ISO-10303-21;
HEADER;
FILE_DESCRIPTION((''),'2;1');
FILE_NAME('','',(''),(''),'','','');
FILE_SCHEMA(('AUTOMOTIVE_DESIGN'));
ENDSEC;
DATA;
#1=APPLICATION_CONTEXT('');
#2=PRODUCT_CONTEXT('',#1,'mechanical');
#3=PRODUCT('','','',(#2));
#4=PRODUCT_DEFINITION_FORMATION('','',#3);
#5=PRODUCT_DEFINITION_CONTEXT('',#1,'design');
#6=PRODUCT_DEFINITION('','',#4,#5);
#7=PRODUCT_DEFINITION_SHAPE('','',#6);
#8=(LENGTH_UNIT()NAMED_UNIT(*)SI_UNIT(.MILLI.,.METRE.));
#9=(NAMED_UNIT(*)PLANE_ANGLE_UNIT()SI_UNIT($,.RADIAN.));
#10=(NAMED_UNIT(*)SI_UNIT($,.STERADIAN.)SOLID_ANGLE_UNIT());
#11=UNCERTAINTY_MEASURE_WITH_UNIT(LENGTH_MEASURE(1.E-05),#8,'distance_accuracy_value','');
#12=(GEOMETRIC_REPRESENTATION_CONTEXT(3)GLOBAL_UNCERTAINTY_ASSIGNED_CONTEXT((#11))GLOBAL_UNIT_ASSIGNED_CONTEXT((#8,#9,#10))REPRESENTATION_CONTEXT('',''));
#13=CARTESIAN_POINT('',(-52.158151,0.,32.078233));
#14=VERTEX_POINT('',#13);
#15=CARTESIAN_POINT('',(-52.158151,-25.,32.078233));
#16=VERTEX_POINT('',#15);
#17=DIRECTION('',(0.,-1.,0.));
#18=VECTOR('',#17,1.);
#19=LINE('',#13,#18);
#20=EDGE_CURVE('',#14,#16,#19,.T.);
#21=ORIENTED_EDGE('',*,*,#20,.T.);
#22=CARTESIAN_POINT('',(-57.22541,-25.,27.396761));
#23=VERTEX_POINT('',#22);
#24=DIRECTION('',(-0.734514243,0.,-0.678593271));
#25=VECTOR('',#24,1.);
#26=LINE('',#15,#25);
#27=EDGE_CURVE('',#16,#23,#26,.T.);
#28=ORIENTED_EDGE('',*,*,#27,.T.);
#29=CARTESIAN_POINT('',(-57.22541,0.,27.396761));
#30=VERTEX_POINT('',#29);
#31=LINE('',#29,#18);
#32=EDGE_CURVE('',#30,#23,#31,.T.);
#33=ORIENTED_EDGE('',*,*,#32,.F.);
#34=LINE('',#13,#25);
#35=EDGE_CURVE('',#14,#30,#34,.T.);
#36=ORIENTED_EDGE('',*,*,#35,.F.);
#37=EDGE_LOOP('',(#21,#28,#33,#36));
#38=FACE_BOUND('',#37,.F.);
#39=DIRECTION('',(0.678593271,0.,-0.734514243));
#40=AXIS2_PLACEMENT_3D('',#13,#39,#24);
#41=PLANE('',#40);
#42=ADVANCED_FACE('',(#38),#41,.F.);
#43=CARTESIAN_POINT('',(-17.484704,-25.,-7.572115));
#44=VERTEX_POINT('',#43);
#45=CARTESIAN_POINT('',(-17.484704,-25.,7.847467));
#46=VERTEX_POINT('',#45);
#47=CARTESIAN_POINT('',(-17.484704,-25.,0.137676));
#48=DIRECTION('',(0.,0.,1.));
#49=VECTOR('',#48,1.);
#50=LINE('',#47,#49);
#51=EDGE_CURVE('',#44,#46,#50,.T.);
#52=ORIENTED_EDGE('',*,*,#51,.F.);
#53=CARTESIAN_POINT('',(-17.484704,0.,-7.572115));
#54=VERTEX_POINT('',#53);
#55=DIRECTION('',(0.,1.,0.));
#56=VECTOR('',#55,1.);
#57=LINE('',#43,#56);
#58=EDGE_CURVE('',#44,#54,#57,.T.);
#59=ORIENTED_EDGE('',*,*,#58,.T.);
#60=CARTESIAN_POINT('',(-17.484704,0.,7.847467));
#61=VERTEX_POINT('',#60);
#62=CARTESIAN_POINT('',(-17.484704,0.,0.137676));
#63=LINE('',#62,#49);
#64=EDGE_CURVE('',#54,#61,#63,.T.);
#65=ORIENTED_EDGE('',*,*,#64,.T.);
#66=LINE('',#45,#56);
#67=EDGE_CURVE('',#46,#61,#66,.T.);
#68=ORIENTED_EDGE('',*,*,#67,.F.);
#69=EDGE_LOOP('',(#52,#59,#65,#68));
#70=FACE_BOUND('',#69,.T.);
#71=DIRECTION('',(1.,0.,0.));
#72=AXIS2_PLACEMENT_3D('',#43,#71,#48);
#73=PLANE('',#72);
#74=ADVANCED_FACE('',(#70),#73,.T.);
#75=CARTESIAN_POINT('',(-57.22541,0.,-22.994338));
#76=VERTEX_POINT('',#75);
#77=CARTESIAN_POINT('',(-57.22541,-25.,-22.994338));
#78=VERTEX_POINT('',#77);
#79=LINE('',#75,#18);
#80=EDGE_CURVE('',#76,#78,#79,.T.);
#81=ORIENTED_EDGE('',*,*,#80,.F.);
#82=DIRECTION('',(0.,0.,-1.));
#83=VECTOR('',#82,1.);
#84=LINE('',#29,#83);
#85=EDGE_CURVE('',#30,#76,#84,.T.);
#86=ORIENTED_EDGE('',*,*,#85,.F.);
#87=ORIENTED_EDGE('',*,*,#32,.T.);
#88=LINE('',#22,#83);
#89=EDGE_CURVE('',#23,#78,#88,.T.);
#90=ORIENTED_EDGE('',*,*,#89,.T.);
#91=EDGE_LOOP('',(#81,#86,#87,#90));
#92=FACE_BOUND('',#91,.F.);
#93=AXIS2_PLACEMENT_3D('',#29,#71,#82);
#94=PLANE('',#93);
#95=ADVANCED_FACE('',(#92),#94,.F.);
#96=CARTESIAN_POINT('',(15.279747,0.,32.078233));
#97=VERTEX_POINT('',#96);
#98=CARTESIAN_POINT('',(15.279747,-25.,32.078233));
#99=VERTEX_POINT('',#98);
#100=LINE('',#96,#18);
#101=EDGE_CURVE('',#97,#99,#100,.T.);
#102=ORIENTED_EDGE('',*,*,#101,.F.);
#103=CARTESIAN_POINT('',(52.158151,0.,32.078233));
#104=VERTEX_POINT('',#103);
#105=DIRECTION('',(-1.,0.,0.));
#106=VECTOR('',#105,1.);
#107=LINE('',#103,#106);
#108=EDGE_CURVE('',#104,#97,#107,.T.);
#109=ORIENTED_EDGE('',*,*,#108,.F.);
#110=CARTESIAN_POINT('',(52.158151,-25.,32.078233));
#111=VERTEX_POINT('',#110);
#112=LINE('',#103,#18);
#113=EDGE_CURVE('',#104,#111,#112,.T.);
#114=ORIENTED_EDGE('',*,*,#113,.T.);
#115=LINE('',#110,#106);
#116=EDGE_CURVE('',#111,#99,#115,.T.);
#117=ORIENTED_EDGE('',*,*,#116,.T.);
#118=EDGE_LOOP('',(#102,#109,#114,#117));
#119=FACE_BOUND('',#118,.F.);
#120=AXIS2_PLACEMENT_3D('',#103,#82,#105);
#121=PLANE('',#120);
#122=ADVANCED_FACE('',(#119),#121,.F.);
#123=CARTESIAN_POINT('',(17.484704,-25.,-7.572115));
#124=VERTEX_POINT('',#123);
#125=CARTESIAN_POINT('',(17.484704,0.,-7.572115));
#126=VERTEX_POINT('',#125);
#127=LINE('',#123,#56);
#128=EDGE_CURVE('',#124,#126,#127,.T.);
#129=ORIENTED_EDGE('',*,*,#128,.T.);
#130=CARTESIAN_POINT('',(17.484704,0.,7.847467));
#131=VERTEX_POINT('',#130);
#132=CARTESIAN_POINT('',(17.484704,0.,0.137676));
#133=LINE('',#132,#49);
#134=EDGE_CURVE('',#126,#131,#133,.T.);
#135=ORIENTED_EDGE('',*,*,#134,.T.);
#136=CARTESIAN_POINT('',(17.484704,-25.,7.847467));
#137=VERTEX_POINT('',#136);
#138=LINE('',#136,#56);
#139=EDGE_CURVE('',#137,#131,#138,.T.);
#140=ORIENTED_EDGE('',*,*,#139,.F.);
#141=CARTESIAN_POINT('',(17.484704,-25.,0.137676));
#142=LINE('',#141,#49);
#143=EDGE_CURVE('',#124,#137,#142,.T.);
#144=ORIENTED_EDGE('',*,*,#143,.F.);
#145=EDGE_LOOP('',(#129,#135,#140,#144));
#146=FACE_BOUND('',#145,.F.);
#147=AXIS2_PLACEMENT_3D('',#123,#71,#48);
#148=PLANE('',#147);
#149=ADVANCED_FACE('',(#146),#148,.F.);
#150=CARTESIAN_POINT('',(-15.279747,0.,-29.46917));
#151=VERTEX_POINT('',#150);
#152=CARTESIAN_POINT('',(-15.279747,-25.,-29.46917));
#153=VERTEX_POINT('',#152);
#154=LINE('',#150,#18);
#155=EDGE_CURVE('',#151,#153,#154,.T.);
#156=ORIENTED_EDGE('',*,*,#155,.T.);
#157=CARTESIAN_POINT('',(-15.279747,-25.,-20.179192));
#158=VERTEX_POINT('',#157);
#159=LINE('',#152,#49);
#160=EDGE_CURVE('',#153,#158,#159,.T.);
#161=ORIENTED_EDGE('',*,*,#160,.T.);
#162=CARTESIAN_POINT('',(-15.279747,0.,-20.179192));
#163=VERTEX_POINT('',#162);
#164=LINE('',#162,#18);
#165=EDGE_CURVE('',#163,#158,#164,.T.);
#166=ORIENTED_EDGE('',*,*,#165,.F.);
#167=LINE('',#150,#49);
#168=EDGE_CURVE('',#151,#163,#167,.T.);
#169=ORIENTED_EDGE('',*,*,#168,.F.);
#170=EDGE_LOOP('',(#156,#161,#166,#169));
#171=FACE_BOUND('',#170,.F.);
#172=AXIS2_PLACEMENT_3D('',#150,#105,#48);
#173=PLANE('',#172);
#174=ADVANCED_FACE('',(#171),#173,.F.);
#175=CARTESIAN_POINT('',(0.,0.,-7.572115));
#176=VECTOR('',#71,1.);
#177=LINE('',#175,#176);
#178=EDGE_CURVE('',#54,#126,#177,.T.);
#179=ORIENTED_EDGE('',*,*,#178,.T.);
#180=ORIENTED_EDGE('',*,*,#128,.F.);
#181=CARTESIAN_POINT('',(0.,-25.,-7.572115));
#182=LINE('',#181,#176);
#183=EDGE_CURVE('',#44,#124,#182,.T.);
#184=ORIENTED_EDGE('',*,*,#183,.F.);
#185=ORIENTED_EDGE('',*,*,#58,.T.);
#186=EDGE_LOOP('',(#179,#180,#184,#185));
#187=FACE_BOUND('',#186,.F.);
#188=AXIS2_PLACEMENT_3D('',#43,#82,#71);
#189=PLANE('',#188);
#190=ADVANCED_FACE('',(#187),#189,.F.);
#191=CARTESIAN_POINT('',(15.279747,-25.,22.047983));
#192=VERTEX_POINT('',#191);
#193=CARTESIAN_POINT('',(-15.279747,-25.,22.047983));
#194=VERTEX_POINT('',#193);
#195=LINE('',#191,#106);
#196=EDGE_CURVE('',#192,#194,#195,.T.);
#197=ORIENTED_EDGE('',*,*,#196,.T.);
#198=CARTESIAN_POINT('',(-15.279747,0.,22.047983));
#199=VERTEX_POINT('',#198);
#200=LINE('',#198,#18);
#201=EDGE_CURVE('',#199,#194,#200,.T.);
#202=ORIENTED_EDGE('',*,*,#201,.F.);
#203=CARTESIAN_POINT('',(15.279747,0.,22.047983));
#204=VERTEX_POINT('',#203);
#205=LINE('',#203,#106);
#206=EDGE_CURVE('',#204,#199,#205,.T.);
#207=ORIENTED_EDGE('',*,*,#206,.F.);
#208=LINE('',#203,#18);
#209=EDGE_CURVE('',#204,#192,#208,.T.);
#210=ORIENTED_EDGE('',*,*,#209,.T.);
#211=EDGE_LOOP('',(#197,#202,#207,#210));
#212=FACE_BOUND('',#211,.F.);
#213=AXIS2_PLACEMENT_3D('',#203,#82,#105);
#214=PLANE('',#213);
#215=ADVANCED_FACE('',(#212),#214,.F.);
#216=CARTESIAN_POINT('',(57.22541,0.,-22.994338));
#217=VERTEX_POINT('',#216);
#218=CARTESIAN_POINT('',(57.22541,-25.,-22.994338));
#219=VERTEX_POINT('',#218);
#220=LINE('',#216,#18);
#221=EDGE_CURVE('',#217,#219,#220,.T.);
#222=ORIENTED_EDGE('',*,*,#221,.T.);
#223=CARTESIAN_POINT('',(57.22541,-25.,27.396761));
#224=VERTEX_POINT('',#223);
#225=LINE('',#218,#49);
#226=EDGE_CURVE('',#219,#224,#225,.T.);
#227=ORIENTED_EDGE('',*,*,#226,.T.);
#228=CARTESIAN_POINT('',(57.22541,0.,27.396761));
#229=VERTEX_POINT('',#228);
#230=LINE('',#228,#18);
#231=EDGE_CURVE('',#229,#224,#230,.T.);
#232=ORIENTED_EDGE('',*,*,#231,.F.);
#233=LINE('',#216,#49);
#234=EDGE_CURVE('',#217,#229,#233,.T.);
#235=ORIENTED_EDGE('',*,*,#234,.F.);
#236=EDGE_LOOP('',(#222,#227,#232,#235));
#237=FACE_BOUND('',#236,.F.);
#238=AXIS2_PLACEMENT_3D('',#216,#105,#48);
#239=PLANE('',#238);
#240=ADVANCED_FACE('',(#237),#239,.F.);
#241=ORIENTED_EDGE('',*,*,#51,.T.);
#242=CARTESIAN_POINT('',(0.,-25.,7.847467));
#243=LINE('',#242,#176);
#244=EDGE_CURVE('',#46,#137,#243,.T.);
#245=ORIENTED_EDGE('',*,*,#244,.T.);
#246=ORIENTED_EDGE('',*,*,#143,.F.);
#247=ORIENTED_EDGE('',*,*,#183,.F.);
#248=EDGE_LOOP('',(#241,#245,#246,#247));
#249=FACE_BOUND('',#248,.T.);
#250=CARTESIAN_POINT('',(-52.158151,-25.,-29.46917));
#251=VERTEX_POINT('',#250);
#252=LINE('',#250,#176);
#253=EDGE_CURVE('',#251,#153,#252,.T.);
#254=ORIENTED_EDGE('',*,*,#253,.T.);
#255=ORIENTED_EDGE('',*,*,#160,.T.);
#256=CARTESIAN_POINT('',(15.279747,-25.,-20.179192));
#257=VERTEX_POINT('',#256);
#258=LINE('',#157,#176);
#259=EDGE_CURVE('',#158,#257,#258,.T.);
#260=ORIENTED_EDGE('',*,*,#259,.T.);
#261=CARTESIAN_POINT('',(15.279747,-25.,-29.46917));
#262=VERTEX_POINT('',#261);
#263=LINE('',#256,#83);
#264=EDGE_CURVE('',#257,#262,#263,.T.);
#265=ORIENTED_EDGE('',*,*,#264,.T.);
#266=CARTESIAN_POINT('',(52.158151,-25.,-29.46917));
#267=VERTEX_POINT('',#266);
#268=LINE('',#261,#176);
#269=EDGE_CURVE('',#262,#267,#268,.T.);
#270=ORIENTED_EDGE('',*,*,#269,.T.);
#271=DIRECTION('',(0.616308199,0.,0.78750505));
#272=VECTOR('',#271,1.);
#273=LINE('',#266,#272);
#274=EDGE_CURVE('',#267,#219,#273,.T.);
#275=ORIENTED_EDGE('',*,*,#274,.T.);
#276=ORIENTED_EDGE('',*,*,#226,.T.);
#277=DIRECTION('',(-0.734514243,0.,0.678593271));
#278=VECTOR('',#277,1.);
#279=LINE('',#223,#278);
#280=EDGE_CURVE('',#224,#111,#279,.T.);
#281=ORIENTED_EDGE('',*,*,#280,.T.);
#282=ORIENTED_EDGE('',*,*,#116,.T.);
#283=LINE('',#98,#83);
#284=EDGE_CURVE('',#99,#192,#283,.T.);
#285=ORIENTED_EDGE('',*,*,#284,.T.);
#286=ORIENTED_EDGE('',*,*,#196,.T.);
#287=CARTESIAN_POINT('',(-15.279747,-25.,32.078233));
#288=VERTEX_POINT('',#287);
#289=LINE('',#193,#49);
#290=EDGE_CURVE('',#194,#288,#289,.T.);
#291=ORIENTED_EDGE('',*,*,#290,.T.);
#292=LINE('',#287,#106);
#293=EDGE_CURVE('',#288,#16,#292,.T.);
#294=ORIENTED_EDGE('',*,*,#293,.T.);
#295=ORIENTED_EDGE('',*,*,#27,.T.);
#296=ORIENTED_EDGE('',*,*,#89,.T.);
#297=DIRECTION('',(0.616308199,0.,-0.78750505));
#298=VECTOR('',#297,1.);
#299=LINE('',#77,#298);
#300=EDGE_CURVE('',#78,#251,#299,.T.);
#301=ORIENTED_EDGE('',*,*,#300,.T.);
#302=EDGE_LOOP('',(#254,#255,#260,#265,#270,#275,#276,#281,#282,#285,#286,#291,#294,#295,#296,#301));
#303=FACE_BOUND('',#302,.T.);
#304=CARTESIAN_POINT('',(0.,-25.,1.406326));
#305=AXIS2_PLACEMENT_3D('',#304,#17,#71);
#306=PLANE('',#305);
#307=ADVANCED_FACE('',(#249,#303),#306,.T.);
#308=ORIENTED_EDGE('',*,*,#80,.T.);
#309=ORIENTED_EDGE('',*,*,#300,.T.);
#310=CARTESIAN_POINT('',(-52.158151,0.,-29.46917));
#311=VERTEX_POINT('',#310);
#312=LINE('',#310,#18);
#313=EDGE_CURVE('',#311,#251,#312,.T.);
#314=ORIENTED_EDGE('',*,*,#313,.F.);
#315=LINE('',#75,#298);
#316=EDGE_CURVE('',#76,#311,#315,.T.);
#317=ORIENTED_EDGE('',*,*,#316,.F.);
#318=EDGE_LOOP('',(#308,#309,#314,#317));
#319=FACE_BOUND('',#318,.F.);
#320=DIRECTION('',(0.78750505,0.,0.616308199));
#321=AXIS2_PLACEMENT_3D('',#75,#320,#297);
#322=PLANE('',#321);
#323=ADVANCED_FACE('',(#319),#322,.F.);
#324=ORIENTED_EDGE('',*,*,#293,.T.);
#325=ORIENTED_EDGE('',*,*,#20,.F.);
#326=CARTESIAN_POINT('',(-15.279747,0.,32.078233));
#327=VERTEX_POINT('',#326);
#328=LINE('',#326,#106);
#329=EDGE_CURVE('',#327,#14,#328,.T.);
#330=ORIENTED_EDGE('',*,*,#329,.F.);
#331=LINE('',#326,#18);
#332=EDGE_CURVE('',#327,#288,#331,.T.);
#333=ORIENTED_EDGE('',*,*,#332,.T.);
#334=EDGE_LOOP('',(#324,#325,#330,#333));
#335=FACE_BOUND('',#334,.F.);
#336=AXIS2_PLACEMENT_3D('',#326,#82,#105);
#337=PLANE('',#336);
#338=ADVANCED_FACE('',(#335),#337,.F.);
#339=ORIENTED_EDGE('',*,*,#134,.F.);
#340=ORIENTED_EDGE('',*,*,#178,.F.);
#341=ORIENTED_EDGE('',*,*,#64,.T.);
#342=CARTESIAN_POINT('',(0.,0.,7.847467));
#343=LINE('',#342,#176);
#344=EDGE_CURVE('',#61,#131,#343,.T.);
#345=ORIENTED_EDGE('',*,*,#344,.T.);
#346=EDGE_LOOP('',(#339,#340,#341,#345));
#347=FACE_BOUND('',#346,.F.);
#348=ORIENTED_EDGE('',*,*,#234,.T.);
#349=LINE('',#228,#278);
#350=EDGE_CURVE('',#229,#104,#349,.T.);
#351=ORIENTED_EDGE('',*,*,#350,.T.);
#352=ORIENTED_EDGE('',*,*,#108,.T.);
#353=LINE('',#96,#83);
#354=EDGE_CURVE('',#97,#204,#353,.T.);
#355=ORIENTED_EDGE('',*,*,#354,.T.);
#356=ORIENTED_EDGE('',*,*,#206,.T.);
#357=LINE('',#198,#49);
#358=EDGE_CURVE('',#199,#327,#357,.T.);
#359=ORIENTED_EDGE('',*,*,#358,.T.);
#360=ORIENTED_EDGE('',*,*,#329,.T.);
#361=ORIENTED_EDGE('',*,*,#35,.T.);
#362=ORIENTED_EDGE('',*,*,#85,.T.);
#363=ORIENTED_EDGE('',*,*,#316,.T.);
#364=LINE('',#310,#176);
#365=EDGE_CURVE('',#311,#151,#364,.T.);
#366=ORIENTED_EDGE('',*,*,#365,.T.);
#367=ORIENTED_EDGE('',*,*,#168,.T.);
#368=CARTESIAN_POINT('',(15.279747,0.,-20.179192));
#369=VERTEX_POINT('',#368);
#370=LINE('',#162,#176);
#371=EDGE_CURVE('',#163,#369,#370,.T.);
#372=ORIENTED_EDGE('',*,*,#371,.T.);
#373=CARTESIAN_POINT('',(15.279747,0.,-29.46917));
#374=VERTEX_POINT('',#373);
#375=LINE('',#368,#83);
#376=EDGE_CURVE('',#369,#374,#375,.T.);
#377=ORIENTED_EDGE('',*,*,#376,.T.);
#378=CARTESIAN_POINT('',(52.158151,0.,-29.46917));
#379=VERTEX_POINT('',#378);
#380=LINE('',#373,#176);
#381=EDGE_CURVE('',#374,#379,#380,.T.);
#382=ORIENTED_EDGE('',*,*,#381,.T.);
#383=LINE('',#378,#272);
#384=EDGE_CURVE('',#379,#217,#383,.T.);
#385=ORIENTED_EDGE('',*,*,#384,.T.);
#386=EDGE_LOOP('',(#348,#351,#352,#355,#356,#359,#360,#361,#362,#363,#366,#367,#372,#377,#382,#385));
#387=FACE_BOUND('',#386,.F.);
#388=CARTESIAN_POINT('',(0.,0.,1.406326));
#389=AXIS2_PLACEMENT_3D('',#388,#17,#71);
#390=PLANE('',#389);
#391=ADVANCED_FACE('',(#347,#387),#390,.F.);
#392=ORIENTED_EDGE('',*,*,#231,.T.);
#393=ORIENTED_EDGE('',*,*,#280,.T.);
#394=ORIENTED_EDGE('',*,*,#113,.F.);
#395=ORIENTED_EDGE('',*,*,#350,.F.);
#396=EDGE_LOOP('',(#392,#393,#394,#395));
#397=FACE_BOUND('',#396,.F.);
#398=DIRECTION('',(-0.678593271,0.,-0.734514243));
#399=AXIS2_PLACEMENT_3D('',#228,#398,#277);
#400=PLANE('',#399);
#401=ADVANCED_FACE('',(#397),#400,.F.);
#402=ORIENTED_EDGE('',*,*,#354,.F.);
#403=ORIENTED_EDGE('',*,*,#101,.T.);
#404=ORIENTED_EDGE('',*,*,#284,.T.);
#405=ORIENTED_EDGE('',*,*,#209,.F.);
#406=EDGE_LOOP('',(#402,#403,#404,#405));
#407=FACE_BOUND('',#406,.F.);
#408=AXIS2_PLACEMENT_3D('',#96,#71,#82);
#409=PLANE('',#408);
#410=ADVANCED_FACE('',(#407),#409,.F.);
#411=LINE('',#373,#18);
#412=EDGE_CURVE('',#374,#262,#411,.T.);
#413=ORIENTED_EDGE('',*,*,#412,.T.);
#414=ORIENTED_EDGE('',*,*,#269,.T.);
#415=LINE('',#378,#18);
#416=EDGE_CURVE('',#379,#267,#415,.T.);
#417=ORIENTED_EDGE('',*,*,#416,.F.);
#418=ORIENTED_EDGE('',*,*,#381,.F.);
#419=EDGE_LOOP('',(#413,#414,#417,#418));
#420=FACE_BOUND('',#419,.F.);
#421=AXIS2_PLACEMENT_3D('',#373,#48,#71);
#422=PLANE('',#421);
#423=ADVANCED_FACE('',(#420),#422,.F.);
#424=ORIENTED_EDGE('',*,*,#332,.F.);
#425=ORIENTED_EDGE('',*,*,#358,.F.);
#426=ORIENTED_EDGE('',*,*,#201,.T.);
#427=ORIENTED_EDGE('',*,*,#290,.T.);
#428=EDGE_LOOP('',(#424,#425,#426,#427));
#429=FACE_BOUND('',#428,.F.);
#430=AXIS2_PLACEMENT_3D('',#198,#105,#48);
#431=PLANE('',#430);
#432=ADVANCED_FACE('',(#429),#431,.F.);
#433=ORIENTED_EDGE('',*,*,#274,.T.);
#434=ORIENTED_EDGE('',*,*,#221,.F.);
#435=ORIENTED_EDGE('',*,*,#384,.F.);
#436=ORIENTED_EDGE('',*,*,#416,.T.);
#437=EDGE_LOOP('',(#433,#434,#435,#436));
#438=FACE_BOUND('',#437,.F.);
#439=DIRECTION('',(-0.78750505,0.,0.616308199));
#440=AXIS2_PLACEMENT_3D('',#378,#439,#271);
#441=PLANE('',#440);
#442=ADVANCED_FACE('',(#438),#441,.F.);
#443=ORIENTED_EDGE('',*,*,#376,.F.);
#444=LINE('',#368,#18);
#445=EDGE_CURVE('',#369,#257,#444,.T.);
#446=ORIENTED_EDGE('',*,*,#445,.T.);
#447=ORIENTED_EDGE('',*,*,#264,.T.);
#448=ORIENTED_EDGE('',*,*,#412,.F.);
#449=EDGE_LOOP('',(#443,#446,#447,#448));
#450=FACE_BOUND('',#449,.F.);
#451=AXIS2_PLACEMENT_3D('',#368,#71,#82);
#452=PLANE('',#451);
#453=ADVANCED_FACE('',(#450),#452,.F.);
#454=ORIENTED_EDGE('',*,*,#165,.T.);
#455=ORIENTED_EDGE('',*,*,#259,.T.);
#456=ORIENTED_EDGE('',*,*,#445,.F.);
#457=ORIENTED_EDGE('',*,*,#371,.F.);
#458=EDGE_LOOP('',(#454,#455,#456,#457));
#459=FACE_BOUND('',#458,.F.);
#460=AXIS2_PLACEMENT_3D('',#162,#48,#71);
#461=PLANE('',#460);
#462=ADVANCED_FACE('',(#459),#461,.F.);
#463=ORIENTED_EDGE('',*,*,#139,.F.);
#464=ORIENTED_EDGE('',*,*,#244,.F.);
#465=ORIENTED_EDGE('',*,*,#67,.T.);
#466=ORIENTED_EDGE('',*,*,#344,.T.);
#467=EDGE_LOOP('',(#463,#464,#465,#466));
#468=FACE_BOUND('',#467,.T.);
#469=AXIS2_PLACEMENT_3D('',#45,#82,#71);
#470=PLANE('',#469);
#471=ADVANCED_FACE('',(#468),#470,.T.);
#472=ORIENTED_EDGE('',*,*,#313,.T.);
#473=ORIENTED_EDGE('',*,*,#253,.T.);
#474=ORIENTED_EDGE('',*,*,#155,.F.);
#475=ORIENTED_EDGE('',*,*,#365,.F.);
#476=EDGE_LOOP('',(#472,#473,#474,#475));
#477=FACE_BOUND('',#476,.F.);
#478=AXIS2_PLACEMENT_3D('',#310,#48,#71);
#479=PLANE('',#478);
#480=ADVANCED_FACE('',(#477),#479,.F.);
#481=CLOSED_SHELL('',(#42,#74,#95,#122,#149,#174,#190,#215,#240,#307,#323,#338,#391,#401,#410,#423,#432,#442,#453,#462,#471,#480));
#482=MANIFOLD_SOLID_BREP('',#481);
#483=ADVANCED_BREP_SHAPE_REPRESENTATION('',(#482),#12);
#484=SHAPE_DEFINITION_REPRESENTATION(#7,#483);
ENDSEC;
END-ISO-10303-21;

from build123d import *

# Parameters (mm, degrees)
F1_DEPTH = 25
F2_W     = 34.969408
F2_H     = 15.419583
F3_DEPTH = 25


with BuildPart() as f1:
    # F0 (on Front) → F1 (new body)
    with BuildSketch(Plane.XZ):
        Polygon((15.279747, 22.047983), (0, 22.047983), (-15.279747, 22.047983), (-15.279747, 32.078233), (-52.158151, 32.078233), (-57.22541, 27.396761), (-57.22541, 12.758005), (-57.22541, -22.994338), (-52.158151, -29.46917), (-15.279747, -29.46917), (-15.279747, -20.179192), (0, -20.179192), (15.279747, -20.179192), (15.279747, -29.46917), (52.158151, -29.46917), (57.22541, -22.994338), (57.22541, 12.758005), (57.22541, 27.396761), (52.158151, 32.078233), (15.279747, 32.078233), align=None)
    extrude(amount=F1_DEPTH)

    # F2 (on face) → F3 (cut)
    with BuildSketch(Plane.XZ.offset(25)):
        with Locations((0, 0.137676)):
            Rectangle(F2_W, F2_H)
    extrude(amount=-F3_DEPTH, mode=Mode.SUBTRACT)


solid = f1.part
